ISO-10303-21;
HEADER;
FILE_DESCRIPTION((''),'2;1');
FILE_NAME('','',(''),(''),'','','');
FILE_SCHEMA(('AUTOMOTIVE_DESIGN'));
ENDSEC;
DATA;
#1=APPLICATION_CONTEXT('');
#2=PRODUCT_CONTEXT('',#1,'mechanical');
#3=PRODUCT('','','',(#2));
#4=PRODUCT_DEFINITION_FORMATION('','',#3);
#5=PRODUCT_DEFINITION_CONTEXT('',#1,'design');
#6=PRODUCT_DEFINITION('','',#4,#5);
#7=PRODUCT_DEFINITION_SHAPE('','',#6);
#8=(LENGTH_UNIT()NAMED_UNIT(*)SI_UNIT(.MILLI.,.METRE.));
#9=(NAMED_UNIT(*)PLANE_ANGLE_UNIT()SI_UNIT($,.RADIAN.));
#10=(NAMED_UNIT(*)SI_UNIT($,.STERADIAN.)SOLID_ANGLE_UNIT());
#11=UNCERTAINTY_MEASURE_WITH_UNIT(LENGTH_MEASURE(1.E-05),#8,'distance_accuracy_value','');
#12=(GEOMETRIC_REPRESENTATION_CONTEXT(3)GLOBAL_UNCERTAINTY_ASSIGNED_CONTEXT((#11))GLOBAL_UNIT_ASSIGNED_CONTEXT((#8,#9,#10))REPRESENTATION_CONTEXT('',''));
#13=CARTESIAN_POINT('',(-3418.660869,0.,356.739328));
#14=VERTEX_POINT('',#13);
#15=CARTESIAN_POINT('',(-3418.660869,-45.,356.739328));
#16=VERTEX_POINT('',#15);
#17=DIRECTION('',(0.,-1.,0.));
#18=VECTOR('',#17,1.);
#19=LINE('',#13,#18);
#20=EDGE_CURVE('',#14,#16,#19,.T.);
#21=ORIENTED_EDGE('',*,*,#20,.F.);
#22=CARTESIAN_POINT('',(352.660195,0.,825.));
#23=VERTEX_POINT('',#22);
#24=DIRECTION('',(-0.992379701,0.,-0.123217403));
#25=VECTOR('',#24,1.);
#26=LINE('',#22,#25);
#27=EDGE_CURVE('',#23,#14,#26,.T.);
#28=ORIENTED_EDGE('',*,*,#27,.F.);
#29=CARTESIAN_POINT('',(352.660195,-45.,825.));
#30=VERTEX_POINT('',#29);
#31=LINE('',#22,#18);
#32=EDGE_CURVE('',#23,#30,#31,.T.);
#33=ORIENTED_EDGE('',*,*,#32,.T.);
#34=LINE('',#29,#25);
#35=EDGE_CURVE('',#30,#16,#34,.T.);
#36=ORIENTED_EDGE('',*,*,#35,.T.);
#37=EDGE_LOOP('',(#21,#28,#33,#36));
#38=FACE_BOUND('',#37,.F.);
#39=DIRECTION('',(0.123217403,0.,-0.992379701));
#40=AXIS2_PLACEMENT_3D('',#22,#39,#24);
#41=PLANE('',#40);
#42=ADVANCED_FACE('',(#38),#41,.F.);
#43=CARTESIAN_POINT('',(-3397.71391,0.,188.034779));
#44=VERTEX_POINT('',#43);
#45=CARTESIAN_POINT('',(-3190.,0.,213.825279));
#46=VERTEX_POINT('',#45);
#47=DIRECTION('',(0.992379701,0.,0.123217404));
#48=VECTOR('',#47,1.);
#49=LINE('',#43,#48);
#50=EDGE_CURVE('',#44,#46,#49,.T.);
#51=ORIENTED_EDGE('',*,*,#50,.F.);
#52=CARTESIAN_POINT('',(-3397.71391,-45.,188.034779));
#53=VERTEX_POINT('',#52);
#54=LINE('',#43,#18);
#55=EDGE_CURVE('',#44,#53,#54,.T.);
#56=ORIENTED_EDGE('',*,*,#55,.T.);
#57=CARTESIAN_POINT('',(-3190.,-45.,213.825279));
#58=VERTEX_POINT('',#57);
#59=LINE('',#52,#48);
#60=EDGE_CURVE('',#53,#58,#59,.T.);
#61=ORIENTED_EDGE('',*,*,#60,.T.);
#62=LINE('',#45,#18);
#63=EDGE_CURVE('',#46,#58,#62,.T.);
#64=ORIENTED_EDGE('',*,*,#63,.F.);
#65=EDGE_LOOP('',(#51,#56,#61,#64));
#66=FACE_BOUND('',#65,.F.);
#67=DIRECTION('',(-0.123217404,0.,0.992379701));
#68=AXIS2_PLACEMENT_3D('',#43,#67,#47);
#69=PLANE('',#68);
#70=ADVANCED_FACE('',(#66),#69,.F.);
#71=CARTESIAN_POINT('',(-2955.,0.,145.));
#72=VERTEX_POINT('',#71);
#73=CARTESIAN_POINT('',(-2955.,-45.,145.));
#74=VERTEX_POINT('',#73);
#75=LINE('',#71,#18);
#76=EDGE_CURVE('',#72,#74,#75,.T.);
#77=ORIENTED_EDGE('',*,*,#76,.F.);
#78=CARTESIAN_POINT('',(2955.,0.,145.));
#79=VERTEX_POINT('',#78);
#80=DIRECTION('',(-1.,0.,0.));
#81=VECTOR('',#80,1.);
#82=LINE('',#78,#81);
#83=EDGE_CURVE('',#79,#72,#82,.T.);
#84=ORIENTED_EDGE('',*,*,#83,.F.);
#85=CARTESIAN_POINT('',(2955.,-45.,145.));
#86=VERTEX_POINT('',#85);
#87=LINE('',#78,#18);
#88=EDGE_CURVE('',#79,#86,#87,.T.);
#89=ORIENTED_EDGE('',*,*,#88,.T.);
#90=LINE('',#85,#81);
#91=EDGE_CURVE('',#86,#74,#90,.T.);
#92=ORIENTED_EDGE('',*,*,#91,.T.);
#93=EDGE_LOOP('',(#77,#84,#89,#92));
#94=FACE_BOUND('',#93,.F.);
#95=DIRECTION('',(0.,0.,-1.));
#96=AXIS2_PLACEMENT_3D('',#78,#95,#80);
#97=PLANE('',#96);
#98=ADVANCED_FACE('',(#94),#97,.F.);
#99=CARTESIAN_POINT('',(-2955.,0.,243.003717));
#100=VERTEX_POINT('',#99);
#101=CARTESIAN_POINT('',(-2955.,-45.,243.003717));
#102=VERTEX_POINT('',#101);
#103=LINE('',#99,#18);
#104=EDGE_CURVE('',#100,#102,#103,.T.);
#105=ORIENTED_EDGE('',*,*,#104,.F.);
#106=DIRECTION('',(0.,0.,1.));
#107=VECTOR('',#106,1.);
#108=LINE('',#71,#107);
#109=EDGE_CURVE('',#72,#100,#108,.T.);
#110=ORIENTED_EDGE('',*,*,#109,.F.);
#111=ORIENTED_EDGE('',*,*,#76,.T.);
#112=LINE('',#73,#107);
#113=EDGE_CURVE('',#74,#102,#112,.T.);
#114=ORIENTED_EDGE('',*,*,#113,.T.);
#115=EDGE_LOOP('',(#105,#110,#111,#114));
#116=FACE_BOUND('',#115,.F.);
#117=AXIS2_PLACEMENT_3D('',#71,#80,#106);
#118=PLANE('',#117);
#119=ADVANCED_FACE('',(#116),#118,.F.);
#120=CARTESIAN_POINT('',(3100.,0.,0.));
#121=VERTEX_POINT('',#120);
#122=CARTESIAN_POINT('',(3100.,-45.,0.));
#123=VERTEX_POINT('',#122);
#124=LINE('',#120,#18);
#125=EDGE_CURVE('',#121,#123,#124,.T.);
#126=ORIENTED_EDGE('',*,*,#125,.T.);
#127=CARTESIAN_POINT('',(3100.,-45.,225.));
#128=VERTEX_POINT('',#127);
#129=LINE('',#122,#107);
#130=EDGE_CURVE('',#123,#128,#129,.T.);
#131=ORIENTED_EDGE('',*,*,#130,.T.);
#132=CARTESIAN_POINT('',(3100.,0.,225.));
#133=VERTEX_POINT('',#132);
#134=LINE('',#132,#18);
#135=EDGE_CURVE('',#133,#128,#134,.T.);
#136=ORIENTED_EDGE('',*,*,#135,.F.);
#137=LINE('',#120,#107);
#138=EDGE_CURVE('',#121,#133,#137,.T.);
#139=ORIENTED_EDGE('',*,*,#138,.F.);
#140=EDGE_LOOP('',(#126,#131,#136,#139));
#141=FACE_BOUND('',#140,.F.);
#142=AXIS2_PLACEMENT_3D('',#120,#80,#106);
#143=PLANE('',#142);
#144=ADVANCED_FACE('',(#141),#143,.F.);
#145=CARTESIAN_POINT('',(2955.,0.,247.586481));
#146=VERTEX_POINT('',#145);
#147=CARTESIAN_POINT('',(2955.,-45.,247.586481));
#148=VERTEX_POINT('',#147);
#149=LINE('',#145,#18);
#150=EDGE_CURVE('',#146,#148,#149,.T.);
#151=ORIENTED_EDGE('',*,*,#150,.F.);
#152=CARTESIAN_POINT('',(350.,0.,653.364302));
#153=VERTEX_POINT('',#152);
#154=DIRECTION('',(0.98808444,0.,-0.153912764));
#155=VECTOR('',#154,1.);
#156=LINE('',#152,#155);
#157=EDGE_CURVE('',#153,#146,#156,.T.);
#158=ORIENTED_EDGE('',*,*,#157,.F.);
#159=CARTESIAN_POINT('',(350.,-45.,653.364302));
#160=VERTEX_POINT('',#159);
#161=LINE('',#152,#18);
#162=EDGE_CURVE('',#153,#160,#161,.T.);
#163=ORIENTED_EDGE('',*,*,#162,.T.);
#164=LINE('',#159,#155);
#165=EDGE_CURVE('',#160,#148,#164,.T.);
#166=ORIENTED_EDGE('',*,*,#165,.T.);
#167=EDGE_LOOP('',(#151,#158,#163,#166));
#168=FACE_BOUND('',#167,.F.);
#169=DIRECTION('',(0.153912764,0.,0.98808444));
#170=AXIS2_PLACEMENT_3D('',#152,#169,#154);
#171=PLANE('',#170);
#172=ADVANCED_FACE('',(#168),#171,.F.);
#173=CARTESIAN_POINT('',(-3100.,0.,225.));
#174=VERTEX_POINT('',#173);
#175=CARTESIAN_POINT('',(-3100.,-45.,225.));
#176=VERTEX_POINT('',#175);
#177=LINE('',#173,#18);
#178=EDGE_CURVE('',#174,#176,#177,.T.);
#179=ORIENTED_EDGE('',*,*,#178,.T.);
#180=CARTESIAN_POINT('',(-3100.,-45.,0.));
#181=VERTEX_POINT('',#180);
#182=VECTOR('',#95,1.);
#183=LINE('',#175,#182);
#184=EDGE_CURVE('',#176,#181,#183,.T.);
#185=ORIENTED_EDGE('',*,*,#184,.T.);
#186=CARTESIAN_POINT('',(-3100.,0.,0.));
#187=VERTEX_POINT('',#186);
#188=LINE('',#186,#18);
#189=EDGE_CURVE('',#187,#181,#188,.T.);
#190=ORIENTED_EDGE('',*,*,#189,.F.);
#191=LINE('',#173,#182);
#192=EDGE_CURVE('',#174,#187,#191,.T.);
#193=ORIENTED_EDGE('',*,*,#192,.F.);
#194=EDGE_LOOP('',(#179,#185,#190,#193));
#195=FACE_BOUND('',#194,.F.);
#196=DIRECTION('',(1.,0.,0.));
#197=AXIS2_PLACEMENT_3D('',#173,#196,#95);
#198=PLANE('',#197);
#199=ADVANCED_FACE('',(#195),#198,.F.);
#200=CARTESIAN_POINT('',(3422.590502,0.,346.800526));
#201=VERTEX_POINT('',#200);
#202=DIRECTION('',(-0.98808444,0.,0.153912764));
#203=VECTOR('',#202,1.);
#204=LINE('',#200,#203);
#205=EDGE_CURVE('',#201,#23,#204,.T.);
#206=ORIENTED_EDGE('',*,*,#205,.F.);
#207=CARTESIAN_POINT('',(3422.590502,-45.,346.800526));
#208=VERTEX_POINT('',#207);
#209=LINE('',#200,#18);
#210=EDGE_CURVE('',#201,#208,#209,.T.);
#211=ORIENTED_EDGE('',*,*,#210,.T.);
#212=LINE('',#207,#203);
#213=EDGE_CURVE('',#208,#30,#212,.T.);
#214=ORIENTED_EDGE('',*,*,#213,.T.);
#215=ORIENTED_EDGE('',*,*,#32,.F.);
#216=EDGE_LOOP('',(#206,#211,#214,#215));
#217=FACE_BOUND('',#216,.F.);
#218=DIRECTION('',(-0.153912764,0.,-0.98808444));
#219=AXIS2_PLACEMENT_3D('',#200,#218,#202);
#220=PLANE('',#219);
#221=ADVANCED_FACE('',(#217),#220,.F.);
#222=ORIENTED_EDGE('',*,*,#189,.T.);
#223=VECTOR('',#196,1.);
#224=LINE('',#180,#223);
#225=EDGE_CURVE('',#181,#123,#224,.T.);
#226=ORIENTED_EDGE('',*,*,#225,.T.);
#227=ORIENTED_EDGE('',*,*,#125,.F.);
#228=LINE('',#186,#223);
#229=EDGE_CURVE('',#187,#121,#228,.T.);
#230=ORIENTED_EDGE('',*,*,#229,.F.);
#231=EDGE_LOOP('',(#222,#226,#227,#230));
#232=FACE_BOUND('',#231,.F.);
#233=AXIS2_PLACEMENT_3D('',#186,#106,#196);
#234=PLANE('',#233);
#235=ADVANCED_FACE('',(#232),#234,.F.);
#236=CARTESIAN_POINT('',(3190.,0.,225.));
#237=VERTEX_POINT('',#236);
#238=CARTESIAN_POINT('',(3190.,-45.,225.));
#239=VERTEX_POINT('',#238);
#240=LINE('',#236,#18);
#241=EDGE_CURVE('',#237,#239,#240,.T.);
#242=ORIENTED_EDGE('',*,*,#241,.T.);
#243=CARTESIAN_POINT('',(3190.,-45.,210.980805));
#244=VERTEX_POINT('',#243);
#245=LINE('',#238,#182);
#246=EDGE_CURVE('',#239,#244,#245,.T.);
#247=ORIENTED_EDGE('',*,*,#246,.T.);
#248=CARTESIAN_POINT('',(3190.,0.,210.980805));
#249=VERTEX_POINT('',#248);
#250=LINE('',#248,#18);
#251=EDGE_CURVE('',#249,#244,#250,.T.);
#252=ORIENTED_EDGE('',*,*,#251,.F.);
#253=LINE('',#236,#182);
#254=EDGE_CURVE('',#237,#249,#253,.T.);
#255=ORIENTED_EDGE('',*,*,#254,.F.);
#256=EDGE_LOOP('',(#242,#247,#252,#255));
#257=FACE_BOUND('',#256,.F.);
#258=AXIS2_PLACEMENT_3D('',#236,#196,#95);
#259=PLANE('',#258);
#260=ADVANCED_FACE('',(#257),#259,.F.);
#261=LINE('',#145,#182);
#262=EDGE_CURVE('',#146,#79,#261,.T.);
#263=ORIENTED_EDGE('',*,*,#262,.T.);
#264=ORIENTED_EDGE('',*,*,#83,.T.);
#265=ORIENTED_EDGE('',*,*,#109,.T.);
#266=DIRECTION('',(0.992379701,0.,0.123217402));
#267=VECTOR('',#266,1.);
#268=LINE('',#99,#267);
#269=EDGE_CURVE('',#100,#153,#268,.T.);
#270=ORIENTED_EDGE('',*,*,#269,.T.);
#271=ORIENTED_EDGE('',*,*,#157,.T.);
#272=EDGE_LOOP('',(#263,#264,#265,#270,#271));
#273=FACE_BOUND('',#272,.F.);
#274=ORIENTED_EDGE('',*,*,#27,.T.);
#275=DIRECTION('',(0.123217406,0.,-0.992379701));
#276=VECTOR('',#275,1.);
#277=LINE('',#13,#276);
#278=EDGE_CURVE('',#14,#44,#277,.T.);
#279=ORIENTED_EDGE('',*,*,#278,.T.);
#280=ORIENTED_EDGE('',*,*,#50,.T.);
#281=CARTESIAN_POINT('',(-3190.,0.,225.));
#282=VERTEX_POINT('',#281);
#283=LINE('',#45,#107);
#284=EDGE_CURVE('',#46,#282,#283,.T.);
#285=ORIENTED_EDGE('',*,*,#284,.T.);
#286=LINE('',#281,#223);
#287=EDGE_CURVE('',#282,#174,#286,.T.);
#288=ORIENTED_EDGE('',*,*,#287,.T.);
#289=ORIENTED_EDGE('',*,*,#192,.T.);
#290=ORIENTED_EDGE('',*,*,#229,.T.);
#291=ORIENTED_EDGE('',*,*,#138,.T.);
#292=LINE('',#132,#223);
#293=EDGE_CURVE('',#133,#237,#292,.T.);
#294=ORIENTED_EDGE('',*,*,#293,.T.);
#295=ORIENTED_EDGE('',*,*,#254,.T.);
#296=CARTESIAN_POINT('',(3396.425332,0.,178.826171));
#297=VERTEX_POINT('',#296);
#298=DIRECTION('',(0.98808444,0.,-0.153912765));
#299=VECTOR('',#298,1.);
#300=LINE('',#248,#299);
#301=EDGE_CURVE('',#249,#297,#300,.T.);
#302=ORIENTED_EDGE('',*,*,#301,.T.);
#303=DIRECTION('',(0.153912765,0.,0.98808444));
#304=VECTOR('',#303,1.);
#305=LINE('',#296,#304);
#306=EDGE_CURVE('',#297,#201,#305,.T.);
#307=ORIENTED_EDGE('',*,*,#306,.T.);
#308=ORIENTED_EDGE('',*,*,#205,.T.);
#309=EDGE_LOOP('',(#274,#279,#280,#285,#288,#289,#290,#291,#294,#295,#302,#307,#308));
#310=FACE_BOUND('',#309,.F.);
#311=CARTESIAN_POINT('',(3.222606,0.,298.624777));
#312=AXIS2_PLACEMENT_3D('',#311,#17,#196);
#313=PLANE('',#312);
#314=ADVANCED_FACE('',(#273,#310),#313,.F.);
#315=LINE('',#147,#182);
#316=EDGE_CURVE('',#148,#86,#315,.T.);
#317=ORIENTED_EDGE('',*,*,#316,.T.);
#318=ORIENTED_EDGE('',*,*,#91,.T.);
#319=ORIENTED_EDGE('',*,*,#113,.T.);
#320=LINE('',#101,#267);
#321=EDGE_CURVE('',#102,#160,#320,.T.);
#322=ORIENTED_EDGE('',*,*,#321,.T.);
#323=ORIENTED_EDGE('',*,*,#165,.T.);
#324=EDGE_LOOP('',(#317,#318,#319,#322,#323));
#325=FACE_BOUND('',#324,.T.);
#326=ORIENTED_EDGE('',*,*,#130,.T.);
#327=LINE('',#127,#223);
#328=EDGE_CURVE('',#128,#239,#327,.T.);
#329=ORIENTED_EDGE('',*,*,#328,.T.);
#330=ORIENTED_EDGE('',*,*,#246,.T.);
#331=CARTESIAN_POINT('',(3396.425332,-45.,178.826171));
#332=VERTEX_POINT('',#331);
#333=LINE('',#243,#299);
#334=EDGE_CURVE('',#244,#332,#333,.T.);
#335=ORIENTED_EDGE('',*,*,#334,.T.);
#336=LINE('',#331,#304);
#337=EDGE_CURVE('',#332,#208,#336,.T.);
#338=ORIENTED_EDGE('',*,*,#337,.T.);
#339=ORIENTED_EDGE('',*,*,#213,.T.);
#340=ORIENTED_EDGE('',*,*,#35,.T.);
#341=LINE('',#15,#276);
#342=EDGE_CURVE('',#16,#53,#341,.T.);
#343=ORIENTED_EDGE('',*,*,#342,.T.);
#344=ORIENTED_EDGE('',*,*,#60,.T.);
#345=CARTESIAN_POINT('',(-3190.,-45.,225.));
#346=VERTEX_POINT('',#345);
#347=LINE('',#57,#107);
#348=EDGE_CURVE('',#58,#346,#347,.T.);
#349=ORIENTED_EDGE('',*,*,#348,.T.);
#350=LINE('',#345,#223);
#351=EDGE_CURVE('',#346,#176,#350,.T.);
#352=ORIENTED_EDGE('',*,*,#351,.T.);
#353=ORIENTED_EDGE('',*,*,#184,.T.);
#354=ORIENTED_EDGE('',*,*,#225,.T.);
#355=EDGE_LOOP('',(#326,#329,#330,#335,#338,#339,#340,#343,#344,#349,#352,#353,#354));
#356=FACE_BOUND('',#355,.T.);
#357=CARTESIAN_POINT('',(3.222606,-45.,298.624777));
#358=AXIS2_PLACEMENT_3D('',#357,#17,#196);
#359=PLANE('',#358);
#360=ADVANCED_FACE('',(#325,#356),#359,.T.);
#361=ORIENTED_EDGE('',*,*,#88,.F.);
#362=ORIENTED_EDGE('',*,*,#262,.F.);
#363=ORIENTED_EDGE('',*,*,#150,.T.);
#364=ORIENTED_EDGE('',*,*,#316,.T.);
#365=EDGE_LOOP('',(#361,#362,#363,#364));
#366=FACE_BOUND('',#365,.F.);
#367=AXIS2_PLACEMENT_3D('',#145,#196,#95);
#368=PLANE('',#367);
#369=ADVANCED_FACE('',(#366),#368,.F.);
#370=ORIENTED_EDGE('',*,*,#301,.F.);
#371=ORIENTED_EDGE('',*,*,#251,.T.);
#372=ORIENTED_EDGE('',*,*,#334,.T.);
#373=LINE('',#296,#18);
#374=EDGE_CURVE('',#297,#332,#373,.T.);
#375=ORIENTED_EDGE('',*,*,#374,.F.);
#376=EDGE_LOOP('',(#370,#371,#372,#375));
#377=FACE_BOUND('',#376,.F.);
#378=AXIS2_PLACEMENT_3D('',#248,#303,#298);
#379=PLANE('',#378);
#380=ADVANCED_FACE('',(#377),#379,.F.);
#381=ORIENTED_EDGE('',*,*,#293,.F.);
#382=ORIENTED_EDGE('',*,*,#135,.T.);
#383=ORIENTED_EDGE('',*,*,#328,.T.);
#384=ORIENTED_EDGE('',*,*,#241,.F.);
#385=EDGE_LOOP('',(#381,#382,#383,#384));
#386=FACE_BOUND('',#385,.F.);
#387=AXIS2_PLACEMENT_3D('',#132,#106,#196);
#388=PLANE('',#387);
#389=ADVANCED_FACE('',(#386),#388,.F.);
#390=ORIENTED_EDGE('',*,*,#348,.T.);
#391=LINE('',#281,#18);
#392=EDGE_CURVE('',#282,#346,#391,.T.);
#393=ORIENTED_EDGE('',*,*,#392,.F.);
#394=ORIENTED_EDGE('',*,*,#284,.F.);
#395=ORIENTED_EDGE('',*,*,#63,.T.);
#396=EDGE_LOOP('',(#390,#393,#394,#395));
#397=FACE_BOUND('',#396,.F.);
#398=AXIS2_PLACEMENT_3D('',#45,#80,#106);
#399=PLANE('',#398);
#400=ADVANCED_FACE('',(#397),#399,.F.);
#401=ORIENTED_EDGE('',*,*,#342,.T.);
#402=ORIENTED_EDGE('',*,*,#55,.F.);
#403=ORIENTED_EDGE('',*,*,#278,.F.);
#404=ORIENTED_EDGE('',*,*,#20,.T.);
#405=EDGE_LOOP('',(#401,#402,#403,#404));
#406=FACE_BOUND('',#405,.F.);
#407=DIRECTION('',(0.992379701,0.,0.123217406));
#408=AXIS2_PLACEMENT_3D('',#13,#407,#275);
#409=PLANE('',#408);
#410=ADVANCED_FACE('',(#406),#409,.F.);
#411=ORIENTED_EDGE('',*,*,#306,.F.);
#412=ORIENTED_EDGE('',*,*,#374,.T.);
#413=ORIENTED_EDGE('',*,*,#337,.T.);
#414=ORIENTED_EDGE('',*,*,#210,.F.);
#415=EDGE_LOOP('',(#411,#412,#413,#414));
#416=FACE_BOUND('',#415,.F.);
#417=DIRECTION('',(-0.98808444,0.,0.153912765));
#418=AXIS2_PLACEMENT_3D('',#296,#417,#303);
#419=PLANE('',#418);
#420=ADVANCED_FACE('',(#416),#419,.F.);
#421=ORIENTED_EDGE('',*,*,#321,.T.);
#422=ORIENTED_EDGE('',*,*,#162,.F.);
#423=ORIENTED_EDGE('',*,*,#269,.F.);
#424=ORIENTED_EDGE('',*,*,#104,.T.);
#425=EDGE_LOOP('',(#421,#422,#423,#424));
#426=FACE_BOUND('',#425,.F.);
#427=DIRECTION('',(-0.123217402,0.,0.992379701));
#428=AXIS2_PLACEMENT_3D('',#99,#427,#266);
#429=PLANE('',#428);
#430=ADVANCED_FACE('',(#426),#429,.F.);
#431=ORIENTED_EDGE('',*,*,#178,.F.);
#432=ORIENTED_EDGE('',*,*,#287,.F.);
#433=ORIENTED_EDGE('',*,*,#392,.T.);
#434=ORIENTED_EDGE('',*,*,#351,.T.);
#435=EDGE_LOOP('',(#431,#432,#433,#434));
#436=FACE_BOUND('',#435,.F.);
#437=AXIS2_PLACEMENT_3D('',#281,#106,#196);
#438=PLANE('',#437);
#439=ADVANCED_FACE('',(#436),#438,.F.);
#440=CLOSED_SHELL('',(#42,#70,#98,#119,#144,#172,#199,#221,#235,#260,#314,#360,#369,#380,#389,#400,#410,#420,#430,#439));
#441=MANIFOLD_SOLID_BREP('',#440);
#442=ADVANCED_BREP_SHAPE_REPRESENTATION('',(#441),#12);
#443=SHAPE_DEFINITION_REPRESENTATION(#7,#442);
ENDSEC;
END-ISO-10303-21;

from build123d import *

# Parameters (mm, degrees)
F1_DEPTH = 45


with BuildPart() as f1:
    # F0 (on Front) → F1 (new body)
    with BuildSketch(Plane.XZ):
        Polygon((-3100, 225), (-3100, 0), (3100, 0), (3100, 225), (3190, 225), (3190, 210.980805), (3396.425332, 178.826171), (3422.590502, 346.800526), (352.660195, 825), (-3418.660869, 356.739328), (-3397.71391, 188.034779), (-3190, 213.825279), (-3190, 225), align=None)
        Polygon((-2955, 145), (-2955, 243.003717), (350, 653.364302), (2955, 247.586481), (2955, 145), align=None, mode=Mode.SUBTRACT)
    extrude(amount=F1_DEPTH)


solid = f1.part
